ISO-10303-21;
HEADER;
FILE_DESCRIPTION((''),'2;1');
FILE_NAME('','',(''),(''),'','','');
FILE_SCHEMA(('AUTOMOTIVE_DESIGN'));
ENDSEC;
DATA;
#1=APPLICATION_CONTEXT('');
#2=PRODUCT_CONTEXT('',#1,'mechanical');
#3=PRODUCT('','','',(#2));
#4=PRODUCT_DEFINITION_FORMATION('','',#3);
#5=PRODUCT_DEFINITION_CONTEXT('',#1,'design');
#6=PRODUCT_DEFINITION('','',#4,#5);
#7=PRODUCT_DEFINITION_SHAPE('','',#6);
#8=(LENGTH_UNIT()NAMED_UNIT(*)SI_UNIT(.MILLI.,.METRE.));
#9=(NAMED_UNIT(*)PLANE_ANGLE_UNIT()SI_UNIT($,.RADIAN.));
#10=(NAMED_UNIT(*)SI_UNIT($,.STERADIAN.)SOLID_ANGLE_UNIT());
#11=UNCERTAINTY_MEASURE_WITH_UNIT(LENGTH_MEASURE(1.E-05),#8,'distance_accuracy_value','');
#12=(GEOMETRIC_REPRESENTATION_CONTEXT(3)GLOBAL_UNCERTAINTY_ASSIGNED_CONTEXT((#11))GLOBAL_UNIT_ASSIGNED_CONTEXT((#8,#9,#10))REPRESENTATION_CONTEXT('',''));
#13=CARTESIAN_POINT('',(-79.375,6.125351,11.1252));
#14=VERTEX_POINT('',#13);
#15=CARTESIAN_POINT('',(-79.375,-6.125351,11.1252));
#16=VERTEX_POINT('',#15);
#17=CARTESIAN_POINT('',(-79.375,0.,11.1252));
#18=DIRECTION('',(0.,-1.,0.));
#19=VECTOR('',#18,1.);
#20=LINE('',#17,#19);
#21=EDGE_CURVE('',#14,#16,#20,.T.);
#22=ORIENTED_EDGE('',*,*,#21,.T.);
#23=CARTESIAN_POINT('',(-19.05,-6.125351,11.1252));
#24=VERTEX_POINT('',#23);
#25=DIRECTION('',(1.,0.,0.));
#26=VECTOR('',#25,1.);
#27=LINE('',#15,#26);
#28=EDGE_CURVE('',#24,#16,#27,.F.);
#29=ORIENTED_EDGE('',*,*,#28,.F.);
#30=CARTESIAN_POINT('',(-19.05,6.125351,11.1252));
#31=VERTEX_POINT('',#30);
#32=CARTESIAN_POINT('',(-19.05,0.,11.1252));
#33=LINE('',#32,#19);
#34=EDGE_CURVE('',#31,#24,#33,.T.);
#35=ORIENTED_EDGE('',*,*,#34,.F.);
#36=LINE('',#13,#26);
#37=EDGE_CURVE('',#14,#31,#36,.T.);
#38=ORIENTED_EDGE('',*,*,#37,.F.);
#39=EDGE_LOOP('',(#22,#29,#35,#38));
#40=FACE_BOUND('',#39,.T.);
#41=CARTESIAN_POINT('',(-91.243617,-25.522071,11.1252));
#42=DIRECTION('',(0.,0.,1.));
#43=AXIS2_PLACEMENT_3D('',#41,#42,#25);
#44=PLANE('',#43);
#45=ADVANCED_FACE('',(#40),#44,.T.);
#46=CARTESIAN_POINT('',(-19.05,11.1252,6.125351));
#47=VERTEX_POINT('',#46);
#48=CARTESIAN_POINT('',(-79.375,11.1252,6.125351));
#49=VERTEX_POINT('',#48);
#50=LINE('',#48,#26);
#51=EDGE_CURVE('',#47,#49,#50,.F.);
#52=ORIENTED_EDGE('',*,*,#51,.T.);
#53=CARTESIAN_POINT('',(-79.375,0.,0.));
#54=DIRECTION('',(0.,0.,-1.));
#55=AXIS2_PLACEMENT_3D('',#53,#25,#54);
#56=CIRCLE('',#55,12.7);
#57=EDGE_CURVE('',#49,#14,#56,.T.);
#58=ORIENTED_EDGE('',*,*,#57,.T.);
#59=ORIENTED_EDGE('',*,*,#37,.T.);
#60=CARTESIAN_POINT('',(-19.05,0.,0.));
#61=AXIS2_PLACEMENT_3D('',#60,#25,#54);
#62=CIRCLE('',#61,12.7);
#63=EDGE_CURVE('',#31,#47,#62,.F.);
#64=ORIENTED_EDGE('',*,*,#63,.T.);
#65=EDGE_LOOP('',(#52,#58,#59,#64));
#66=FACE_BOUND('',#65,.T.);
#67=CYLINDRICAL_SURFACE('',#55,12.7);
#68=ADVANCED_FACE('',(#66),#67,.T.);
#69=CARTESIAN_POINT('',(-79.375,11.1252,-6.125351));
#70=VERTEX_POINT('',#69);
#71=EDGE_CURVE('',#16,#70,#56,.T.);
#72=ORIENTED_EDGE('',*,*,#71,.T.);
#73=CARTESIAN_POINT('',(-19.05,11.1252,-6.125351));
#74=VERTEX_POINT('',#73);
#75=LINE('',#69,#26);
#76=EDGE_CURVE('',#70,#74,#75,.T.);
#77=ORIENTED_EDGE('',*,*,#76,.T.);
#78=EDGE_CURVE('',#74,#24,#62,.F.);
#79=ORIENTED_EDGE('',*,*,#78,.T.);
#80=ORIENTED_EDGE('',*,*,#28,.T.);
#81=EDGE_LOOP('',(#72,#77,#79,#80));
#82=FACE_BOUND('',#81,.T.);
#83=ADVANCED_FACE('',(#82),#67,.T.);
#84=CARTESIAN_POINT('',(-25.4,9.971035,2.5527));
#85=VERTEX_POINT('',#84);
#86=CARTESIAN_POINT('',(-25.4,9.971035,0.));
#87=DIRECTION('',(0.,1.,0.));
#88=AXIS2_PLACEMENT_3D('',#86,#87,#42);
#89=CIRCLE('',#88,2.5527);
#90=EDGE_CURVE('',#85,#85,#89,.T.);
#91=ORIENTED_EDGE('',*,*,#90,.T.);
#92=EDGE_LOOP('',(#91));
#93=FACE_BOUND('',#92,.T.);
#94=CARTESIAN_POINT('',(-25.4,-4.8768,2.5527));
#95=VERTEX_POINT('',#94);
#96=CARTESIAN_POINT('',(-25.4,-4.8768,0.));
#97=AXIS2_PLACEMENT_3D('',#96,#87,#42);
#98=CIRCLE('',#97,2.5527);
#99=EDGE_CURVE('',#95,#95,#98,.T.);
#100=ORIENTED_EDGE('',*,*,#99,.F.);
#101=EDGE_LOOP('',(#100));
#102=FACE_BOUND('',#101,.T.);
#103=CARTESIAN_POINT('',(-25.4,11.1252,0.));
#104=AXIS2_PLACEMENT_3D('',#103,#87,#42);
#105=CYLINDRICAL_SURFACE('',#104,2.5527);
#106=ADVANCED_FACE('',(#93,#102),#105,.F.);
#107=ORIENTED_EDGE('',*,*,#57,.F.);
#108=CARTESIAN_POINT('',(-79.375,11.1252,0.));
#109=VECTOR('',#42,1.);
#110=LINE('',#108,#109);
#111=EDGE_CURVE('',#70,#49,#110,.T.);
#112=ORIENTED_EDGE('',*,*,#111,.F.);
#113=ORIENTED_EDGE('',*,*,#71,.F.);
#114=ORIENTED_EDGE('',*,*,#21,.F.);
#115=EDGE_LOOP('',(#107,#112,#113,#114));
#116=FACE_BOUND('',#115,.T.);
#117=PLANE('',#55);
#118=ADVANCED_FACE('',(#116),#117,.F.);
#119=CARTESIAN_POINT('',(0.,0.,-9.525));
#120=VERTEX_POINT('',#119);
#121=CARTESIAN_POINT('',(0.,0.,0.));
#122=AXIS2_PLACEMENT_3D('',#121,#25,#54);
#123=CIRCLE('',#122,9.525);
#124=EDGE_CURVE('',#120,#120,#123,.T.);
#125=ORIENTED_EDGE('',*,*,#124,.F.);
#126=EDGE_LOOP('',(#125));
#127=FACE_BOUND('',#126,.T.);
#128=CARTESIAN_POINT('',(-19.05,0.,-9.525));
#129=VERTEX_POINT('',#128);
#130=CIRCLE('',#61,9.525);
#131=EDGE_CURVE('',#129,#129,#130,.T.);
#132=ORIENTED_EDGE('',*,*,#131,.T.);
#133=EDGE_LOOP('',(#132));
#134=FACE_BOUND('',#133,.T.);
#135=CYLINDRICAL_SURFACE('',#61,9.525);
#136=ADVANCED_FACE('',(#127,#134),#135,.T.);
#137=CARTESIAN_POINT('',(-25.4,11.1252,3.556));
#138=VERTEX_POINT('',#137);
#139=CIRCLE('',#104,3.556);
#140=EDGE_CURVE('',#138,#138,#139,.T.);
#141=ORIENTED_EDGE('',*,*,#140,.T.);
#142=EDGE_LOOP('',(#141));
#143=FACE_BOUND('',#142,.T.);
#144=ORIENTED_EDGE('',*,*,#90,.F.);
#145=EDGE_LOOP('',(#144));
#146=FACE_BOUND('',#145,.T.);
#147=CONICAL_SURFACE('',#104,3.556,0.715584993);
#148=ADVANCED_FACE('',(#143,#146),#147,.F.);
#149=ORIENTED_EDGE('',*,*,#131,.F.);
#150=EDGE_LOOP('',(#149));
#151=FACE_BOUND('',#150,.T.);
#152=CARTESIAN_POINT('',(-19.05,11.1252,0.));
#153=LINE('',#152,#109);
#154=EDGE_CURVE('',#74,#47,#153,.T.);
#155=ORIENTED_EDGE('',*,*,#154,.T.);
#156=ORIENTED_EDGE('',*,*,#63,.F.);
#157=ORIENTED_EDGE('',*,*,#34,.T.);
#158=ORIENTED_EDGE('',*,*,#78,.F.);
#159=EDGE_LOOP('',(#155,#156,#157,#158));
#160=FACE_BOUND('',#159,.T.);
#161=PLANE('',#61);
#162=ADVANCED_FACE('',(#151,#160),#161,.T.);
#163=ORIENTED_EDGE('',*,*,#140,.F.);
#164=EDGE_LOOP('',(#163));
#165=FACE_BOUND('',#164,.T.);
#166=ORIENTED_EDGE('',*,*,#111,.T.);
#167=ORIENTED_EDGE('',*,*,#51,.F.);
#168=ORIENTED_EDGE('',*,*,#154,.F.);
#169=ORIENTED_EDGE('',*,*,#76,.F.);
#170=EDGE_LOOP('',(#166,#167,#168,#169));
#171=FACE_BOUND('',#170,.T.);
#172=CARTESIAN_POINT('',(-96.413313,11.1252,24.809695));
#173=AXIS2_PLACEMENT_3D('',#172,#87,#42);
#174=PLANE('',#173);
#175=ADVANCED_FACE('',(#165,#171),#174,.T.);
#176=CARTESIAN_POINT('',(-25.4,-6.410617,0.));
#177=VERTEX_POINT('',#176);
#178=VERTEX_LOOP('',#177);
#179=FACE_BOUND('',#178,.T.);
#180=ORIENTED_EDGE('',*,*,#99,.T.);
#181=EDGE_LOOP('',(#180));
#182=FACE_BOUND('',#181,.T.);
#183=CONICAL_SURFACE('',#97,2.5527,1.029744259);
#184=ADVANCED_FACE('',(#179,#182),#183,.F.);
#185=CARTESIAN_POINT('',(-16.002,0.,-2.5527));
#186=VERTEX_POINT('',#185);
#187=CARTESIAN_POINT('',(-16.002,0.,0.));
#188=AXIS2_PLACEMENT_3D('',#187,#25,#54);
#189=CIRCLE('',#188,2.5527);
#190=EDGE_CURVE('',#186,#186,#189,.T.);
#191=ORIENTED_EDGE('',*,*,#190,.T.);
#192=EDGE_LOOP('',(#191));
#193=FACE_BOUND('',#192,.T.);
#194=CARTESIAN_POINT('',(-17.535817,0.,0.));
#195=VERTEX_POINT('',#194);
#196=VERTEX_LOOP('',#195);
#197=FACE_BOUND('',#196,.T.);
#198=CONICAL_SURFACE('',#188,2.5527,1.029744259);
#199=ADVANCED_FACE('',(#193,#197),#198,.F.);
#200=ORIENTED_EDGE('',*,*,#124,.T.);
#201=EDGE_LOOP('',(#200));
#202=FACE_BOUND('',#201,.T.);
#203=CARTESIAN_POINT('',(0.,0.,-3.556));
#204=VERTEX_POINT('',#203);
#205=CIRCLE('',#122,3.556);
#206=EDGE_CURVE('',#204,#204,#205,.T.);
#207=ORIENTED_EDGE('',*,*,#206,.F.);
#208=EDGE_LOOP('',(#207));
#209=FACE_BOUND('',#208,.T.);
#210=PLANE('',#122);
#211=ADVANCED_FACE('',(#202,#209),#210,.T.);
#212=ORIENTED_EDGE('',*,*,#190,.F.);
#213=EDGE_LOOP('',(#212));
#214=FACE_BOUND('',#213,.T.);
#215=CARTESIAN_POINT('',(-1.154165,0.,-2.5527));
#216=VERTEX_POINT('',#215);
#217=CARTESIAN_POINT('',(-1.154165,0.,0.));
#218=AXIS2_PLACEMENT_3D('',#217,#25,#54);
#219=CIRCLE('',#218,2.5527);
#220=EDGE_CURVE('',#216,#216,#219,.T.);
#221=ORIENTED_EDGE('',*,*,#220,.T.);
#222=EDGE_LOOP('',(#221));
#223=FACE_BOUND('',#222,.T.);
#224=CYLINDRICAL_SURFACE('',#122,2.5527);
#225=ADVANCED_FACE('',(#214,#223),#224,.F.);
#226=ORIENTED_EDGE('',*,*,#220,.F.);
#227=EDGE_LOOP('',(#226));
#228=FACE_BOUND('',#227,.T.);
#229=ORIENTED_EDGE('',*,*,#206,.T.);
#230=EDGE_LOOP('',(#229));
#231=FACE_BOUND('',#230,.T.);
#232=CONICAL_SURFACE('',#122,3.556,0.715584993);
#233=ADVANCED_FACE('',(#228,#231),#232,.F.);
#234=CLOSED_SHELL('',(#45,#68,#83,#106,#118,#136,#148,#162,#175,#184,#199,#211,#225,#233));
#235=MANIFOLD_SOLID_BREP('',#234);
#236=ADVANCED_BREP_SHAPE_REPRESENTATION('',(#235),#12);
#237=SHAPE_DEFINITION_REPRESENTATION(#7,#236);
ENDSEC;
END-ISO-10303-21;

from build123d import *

# Parameters (mm, degrees)
SKETCH1_R                         = 12.7
BOSS_EXTRUDE1_DEPTH               = 79.375
SKETCH2_R                         = 21.293421543
SKETCH2_R_2                       = 9.525
CUT_EXTRUDE1_DEPTH                = 19.05
SKETCH3_W                         = 88.347660667
SKETCH3_H                         = 62.084650607
CUT_EXTRUDE2_DEPTH                = 7.62
SKETCH7_W                         = 118.824828897
SKETCH7_H                         = 51.847980611
CUT_EXTRUDE5_DEPTH                = 25.4
F_1_4_20_TAPPED_HOLE2_D           = 5.1054
F_1_4_20_TAPPED_HOLE2_DEPTH       = 16.002
F_1_4_20_TAPPED_HOLE2_CSINK_D     = 7.112
F_1_4_20_TAPPED_HOLE2_CSINK_ANGLE = 82
F_1_4_20_TAPPED_HOLE2_TIP         = 1.533816902
F_1_4_20_TAPPED_HOLE3_D           = 5.1054
F_1_4_20_TAPPED_HOLE3_DEPTH       = 16.002
F_1_4_20_TAPPED_HOLE3_CSINK_D     = 7.112
F_1_4_20_TAPPED_HOLE3_CSINK_ANGLE = 82
F_1_4_20_TAPPED_HOLE3_TIP         = 1.533816902


with BuildPart() as part:
    # Sketch1 → Boss-Extrude1 (new body)
    with BuildSketch(Plane(origin=(0, 0, 0), x_dir=(0, 0, -1), z_dir=(1, 0, 0))):
        Circle(SKETCH1_R)
    extrude(amount=-BOSS_EXTRUDE1_DEPTH)

    # Sketch2 → Cut-Extrude1 (cut)
    with BuildSketch(Plane(origin=(0, 0, 0), x_dir=(0, 0, -1), z_dir=(1, 0, 0))):
        Circle(SKETCH2_R)
        Circle(SKETCH2_R_2, mode=Mode.SUBTRACT)
    extrude(amount=-CUT_EXTRUDE1_DEPTH, mode=Mode.SUBTRACT)

    # Sketch3 → Cut-Extrude2 (cut)
    with BuildSketch(Plane(origin=(0, 12.401228443, 11.1252), x_dir=(1, 0, 0), z_dir=(0, 0, 1))):
        with Locations((-47.069787049, -6.880973923)):
            Rectangle(SKETCH3_W, SKETCH3_H)
    extrude(amount=CUT_EXTRUDE2_DEPTH, mode=Mode.SUBTRACT)

    # Sketch7 → Cut-Extrude5 (cut)
    with BuildSketch(Plane(origin=(0, 11.1252, 0), x_dir=(-1, 0, 0), z_dir=(0, 1, 0))):
        with Locations((37.000899043, -1.114295637)):
            Rectangle(SKETCH7_W, SKETCH7_H)
    extrude(amount=CUT_EXTRUDE5_DEPTH, mode=Mode.SUBTRACT)

    # 1/4-20 Tapped Hole2
    with Locations(Plane(origin=(0, 11.1252, 0), x_dir=(-1, 0, 0), z_dir=(0, 1, 0))):
        with Locations((25.4, 0)):
            CounterSinkHole(F_1_4_20_TAPPED_HOLE2_D / 2, F_1_4_20_TAPPED_HOLE2_CSINK_D / 2, depth=F_1_4_20_TAPPED_HOLE2_DEPTH, counter_sink_angle=F_1_4_20_TAPPED_HOLE2_CSINK_ANGLE)
            with Locations((0, 0, -(F_1_4_20_TAPPED_HOLE2_DEPTH + F_1_4_20_TAPPED_HOLE2_TIP / 2))):  # 118° drill point
                Cone(0, F_1_4_20_TAPPED_HOLE2_D / 2, F_1_4_20_TAPPED_HOLE2_TIP, mode=Mode.SUBTRACT)

    # 1/4-20 Tapped Hole3
    with Locations(Plane(origin=(0, 0, 0), x_dir=(0, 0, -1), z_dir=(1, 0, 0))):
        with Locations((0, 0)):
            CounterSinkHole(F_1_4_20_TAPPED_HOLE3_D / 2, F_1_4_20_TAPPED_HOLE3_CSINK_D / 2, depth=F_1_4_20_TAPPED_HOLE3_DEPTH, counter_sink_angle=F_1_4_20_TAPPED_HOLE3_CSINK_ANGLE)
            with Locations((0, 0, -(F_1_4_20_TAPPED_HOLE3_DEPTH + F_1_4_20_TAPPED_HOLE3_TIP / 2))):  # 118° drill point
                Cone(0, F_1_4_20_TAPPED_HOLE3_D / 2, F_1_4_20_TAPPED_HOLE3_TIP, mode=Mode.SUBTRACT)


solid = part.part
